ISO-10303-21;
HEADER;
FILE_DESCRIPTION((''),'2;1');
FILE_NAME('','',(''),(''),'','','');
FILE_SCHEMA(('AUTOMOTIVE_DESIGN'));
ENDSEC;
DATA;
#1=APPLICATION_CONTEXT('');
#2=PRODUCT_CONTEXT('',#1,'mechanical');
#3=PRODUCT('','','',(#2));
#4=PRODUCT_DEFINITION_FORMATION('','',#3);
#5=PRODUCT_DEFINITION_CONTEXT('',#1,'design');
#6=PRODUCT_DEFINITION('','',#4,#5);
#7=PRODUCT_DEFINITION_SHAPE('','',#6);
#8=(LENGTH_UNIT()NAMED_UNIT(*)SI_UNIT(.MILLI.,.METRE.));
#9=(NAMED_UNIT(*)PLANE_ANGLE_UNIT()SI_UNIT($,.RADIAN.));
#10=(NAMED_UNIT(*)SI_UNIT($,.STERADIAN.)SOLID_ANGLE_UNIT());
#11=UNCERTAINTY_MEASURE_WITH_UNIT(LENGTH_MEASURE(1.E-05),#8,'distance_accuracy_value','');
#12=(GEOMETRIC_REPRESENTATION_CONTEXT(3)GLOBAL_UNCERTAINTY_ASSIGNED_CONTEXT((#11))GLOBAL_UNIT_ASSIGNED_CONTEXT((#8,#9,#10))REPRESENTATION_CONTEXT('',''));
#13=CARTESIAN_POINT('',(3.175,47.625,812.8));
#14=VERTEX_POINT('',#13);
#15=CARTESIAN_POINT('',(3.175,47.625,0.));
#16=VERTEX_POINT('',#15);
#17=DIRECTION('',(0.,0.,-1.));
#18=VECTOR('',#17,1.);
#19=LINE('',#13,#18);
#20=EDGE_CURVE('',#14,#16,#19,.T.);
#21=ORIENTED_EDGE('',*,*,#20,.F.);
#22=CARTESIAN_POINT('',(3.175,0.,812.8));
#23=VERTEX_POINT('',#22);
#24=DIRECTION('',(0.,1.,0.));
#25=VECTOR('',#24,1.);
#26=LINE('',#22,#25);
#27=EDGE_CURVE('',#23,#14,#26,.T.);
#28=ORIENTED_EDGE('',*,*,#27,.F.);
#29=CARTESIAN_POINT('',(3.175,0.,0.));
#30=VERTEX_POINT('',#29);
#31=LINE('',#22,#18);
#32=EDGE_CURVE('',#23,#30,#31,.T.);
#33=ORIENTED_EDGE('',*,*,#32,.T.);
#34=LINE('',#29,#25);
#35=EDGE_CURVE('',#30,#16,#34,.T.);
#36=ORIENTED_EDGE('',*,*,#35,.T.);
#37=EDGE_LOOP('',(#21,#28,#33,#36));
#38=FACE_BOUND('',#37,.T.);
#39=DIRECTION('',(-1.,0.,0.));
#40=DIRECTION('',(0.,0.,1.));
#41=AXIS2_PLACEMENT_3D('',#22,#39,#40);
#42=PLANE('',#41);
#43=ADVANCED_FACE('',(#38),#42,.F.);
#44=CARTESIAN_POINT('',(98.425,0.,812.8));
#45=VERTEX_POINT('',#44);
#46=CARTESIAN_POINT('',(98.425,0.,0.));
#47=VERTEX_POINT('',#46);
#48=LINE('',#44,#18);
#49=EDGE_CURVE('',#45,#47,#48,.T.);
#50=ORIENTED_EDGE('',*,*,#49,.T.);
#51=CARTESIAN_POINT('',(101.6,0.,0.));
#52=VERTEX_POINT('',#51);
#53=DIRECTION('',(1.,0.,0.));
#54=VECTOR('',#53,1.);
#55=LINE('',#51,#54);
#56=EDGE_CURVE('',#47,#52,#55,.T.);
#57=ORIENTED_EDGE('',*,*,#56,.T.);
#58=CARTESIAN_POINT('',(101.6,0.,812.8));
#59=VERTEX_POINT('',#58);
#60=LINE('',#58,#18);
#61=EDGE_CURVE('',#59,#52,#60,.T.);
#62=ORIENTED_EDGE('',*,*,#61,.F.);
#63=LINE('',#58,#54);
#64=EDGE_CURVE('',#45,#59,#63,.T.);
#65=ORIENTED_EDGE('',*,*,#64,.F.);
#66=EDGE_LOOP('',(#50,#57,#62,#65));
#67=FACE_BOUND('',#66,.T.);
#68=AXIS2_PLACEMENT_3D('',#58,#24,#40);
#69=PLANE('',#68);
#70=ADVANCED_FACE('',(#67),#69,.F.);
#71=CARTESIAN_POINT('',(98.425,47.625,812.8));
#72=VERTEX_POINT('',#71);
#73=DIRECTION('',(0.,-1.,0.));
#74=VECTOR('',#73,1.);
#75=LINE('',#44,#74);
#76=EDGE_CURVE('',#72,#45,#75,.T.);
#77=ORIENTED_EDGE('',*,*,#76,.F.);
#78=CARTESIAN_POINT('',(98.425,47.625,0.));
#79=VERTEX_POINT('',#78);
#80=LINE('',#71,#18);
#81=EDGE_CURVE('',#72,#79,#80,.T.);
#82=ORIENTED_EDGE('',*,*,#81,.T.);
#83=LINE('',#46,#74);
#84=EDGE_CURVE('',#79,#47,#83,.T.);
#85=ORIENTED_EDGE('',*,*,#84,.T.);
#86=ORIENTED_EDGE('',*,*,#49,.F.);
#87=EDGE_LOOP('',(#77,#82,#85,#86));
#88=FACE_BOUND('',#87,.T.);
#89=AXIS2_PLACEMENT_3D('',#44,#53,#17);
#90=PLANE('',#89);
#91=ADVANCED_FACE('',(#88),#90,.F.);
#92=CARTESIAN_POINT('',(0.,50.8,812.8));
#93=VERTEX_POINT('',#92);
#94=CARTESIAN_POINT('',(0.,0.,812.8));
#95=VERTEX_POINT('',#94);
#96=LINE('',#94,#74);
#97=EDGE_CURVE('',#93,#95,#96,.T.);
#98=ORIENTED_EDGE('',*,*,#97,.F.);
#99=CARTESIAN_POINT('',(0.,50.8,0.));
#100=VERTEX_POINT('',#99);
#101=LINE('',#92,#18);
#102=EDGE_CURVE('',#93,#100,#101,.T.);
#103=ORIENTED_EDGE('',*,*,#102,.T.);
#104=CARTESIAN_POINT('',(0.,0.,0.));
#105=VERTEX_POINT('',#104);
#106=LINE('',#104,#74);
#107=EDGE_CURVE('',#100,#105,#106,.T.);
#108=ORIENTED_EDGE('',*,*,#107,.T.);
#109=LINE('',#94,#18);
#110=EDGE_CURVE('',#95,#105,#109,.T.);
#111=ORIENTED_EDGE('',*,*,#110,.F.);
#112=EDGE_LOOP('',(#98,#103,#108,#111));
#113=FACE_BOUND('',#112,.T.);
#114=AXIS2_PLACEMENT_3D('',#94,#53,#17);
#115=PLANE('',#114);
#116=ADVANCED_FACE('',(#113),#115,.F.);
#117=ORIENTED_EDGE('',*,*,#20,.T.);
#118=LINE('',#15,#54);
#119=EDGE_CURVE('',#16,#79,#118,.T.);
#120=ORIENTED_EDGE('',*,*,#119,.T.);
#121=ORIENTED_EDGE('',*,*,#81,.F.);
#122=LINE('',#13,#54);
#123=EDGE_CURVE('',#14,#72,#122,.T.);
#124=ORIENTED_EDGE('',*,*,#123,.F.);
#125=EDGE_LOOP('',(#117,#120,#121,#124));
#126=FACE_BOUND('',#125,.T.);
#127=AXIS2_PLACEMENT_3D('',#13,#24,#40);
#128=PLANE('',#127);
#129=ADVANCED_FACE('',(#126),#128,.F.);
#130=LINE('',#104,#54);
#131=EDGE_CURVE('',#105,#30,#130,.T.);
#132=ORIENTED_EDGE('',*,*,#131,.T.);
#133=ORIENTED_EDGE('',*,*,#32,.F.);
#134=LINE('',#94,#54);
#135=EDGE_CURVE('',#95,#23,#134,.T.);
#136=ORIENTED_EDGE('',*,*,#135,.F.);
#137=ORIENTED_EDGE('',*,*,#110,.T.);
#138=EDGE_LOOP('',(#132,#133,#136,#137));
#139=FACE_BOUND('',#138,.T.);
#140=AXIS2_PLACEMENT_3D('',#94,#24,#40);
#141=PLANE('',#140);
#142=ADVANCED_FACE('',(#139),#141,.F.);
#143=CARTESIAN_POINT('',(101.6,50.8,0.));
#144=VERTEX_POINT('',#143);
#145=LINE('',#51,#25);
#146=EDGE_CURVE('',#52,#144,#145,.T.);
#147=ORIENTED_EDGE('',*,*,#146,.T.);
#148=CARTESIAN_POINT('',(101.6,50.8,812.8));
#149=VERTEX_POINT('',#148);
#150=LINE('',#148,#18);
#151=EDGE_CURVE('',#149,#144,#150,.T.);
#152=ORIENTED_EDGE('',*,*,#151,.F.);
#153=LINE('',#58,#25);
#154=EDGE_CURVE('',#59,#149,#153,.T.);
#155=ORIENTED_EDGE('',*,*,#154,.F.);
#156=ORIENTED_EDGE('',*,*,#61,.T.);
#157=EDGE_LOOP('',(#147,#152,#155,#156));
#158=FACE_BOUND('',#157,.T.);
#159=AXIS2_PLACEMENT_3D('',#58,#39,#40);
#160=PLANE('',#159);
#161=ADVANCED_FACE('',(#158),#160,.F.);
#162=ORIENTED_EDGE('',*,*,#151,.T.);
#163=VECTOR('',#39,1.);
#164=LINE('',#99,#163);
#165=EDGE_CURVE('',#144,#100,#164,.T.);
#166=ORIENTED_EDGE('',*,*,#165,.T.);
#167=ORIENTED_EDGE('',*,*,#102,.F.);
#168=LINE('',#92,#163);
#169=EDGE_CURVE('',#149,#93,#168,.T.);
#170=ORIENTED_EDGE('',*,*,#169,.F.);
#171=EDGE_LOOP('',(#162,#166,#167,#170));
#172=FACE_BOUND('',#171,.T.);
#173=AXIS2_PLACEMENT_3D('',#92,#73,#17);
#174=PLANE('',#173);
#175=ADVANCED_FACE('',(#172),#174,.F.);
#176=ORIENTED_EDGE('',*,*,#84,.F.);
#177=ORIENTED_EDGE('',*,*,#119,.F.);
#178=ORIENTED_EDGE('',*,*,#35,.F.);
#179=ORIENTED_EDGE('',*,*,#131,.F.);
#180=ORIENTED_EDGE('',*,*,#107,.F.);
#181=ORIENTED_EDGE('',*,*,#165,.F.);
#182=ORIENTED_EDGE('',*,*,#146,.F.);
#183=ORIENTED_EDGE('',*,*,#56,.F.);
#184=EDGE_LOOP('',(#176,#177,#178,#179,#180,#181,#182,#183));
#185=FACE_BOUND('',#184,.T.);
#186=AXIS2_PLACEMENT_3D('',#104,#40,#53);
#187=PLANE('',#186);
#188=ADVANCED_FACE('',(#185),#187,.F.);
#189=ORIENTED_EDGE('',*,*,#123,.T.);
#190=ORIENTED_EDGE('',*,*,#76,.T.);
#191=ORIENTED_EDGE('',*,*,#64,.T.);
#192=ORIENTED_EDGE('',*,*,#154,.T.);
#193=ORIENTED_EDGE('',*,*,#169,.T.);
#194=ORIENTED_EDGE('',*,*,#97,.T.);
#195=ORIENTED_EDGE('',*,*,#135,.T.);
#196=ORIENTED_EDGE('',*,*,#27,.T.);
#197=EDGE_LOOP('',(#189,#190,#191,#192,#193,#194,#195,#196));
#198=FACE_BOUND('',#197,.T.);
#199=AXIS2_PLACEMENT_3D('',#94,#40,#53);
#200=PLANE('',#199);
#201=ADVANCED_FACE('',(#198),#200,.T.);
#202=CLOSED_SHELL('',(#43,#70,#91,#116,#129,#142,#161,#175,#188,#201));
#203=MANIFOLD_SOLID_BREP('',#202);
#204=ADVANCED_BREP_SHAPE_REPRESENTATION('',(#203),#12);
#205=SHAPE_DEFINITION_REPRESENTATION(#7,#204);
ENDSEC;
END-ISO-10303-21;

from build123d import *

# Parameters (mm, degrees)
BOSS_EXTRUDE1_DEPTH = 812.8


with BuildPart() as part:
    # Sketch1 → Boss-Extrude1 (new body)
    with BuildSketch(Plane.XY):
        Polygon((3.175, 0), (3.175, 47.625), (98.425, 47.625), (98.425, 0), (101.6, 0), (101.6, 50.8), (0, 50.8), (0, 0), align=None)
    extrude(amount=BOSS_EXTRUDE1_DEPTH)


solid = part.part
